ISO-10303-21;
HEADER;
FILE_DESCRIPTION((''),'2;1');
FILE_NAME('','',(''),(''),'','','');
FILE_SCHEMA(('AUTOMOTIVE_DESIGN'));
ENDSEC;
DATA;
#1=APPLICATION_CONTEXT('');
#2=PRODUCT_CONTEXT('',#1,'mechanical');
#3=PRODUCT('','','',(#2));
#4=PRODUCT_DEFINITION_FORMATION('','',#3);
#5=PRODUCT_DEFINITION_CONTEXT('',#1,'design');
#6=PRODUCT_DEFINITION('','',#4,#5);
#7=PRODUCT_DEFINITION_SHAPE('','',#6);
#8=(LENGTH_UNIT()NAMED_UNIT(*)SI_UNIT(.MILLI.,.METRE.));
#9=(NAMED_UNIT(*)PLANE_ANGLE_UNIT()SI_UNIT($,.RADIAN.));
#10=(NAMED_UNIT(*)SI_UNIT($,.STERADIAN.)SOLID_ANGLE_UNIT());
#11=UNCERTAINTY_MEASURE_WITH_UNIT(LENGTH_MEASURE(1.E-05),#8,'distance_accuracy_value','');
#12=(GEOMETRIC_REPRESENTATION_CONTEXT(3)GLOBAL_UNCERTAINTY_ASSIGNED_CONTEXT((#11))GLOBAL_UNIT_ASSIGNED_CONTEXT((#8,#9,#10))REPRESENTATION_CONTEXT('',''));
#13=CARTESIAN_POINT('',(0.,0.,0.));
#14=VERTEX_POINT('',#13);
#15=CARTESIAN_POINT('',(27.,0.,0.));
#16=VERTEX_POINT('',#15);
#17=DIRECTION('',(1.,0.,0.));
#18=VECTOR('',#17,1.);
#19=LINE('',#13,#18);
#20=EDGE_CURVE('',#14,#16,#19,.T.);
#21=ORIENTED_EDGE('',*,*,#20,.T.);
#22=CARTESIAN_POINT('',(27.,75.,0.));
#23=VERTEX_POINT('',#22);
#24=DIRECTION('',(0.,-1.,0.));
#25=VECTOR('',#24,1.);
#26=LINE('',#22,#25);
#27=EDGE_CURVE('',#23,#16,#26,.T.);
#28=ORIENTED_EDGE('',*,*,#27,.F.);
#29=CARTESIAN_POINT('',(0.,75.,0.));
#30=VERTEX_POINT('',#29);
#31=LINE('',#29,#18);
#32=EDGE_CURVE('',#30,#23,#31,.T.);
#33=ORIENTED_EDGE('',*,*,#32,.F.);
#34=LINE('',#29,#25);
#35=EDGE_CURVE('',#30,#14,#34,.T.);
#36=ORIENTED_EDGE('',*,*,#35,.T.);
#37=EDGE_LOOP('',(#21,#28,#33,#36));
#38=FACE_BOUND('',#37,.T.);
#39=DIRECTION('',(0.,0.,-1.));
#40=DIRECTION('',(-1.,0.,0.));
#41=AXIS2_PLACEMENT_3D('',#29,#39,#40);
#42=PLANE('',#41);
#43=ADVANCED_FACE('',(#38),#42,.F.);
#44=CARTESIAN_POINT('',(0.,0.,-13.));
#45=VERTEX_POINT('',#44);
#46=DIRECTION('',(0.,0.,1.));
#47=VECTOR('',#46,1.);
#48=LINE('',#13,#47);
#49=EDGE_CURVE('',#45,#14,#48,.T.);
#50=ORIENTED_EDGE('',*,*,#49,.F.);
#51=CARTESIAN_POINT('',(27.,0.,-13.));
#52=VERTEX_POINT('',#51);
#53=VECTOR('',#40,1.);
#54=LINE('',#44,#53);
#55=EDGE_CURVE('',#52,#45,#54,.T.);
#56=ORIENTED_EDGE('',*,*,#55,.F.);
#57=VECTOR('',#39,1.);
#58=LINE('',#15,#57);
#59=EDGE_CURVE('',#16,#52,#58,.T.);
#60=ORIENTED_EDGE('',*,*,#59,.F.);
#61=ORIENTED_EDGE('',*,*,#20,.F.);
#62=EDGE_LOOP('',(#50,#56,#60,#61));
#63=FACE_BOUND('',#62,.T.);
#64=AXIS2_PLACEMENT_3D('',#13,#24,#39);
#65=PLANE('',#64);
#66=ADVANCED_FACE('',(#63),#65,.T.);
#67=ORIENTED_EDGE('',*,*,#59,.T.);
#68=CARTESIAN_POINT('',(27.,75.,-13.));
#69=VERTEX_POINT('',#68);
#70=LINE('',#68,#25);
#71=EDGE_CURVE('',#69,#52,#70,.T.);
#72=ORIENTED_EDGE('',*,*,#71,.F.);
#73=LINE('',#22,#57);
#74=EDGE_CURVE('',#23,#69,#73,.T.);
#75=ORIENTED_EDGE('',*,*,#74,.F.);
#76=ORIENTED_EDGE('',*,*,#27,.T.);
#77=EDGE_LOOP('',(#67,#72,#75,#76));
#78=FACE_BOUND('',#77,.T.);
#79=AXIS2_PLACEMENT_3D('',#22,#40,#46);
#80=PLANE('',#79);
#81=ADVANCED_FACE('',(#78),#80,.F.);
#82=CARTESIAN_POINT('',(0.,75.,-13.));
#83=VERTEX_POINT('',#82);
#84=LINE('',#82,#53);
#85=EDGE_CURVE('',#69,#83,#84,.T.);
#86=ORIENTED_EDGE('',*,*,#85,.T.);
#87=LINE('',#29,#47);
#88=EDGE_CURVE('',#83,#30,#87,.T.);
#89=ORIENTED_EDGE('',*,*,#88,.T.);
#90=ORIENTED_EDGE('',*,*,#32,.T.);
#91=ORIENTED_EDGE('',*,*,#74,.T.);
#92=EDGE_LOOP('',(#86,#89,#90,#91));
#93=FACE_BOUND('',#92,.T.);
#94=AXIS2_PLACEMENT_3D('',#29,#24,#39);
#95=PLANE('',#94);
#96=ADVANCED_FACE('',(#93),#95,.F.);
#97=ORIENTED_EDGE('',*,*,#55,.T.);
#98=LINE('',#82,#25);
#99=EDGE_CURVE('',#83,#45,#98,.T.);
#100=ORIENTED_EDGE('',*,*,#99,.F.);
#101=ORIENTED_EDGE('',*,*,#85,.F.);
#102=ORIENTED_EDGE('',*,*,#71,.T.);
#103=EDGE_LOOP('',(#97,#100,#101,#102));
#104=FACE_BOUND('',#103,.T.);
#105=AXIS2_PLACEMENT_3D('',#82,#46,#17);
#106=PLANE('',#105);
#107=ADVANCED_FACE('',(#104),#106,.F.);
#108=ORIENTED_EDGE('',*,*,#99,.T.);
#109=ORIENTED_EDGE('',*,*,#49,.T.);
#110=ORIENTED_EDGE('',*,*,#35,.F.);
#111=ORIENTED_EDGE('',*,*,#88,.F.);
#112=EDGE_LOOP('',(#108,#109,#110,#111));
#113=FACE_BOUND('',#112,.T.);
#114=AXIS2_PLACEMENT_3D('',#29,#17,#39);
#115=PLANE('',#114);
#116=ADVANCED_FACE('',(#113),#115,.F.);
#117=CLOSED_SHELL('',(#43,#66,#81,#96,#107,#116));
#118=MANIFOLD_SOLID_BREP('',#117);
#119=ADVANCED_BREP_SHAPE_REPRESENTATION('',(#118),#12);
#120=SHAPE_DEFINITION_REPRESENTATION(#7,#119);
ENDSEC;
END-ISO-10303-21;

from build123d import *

# Parameters (mm, degrees)
ESQUISSE1_W        = 27
ESQUISSE1_H        = 13
BOSS_EXTRU_1_DEPTH = 75


with BuildPart() as part:
    # Esquisse1 → Boss.-Extru.1 (new body)
    with BuildSketch(Plane(origin=(0, 0, 0), x_dir=(1, 0, 0), z_dir=(0, 1, 0))):
        with Locations((13.5, 6.5)):
            Rectangle(ESQUISSE1_W, ESQUISSE1_H)
    extrude(amount=BOSS_EXTRU_1_DEPTH)


solid = part.part
